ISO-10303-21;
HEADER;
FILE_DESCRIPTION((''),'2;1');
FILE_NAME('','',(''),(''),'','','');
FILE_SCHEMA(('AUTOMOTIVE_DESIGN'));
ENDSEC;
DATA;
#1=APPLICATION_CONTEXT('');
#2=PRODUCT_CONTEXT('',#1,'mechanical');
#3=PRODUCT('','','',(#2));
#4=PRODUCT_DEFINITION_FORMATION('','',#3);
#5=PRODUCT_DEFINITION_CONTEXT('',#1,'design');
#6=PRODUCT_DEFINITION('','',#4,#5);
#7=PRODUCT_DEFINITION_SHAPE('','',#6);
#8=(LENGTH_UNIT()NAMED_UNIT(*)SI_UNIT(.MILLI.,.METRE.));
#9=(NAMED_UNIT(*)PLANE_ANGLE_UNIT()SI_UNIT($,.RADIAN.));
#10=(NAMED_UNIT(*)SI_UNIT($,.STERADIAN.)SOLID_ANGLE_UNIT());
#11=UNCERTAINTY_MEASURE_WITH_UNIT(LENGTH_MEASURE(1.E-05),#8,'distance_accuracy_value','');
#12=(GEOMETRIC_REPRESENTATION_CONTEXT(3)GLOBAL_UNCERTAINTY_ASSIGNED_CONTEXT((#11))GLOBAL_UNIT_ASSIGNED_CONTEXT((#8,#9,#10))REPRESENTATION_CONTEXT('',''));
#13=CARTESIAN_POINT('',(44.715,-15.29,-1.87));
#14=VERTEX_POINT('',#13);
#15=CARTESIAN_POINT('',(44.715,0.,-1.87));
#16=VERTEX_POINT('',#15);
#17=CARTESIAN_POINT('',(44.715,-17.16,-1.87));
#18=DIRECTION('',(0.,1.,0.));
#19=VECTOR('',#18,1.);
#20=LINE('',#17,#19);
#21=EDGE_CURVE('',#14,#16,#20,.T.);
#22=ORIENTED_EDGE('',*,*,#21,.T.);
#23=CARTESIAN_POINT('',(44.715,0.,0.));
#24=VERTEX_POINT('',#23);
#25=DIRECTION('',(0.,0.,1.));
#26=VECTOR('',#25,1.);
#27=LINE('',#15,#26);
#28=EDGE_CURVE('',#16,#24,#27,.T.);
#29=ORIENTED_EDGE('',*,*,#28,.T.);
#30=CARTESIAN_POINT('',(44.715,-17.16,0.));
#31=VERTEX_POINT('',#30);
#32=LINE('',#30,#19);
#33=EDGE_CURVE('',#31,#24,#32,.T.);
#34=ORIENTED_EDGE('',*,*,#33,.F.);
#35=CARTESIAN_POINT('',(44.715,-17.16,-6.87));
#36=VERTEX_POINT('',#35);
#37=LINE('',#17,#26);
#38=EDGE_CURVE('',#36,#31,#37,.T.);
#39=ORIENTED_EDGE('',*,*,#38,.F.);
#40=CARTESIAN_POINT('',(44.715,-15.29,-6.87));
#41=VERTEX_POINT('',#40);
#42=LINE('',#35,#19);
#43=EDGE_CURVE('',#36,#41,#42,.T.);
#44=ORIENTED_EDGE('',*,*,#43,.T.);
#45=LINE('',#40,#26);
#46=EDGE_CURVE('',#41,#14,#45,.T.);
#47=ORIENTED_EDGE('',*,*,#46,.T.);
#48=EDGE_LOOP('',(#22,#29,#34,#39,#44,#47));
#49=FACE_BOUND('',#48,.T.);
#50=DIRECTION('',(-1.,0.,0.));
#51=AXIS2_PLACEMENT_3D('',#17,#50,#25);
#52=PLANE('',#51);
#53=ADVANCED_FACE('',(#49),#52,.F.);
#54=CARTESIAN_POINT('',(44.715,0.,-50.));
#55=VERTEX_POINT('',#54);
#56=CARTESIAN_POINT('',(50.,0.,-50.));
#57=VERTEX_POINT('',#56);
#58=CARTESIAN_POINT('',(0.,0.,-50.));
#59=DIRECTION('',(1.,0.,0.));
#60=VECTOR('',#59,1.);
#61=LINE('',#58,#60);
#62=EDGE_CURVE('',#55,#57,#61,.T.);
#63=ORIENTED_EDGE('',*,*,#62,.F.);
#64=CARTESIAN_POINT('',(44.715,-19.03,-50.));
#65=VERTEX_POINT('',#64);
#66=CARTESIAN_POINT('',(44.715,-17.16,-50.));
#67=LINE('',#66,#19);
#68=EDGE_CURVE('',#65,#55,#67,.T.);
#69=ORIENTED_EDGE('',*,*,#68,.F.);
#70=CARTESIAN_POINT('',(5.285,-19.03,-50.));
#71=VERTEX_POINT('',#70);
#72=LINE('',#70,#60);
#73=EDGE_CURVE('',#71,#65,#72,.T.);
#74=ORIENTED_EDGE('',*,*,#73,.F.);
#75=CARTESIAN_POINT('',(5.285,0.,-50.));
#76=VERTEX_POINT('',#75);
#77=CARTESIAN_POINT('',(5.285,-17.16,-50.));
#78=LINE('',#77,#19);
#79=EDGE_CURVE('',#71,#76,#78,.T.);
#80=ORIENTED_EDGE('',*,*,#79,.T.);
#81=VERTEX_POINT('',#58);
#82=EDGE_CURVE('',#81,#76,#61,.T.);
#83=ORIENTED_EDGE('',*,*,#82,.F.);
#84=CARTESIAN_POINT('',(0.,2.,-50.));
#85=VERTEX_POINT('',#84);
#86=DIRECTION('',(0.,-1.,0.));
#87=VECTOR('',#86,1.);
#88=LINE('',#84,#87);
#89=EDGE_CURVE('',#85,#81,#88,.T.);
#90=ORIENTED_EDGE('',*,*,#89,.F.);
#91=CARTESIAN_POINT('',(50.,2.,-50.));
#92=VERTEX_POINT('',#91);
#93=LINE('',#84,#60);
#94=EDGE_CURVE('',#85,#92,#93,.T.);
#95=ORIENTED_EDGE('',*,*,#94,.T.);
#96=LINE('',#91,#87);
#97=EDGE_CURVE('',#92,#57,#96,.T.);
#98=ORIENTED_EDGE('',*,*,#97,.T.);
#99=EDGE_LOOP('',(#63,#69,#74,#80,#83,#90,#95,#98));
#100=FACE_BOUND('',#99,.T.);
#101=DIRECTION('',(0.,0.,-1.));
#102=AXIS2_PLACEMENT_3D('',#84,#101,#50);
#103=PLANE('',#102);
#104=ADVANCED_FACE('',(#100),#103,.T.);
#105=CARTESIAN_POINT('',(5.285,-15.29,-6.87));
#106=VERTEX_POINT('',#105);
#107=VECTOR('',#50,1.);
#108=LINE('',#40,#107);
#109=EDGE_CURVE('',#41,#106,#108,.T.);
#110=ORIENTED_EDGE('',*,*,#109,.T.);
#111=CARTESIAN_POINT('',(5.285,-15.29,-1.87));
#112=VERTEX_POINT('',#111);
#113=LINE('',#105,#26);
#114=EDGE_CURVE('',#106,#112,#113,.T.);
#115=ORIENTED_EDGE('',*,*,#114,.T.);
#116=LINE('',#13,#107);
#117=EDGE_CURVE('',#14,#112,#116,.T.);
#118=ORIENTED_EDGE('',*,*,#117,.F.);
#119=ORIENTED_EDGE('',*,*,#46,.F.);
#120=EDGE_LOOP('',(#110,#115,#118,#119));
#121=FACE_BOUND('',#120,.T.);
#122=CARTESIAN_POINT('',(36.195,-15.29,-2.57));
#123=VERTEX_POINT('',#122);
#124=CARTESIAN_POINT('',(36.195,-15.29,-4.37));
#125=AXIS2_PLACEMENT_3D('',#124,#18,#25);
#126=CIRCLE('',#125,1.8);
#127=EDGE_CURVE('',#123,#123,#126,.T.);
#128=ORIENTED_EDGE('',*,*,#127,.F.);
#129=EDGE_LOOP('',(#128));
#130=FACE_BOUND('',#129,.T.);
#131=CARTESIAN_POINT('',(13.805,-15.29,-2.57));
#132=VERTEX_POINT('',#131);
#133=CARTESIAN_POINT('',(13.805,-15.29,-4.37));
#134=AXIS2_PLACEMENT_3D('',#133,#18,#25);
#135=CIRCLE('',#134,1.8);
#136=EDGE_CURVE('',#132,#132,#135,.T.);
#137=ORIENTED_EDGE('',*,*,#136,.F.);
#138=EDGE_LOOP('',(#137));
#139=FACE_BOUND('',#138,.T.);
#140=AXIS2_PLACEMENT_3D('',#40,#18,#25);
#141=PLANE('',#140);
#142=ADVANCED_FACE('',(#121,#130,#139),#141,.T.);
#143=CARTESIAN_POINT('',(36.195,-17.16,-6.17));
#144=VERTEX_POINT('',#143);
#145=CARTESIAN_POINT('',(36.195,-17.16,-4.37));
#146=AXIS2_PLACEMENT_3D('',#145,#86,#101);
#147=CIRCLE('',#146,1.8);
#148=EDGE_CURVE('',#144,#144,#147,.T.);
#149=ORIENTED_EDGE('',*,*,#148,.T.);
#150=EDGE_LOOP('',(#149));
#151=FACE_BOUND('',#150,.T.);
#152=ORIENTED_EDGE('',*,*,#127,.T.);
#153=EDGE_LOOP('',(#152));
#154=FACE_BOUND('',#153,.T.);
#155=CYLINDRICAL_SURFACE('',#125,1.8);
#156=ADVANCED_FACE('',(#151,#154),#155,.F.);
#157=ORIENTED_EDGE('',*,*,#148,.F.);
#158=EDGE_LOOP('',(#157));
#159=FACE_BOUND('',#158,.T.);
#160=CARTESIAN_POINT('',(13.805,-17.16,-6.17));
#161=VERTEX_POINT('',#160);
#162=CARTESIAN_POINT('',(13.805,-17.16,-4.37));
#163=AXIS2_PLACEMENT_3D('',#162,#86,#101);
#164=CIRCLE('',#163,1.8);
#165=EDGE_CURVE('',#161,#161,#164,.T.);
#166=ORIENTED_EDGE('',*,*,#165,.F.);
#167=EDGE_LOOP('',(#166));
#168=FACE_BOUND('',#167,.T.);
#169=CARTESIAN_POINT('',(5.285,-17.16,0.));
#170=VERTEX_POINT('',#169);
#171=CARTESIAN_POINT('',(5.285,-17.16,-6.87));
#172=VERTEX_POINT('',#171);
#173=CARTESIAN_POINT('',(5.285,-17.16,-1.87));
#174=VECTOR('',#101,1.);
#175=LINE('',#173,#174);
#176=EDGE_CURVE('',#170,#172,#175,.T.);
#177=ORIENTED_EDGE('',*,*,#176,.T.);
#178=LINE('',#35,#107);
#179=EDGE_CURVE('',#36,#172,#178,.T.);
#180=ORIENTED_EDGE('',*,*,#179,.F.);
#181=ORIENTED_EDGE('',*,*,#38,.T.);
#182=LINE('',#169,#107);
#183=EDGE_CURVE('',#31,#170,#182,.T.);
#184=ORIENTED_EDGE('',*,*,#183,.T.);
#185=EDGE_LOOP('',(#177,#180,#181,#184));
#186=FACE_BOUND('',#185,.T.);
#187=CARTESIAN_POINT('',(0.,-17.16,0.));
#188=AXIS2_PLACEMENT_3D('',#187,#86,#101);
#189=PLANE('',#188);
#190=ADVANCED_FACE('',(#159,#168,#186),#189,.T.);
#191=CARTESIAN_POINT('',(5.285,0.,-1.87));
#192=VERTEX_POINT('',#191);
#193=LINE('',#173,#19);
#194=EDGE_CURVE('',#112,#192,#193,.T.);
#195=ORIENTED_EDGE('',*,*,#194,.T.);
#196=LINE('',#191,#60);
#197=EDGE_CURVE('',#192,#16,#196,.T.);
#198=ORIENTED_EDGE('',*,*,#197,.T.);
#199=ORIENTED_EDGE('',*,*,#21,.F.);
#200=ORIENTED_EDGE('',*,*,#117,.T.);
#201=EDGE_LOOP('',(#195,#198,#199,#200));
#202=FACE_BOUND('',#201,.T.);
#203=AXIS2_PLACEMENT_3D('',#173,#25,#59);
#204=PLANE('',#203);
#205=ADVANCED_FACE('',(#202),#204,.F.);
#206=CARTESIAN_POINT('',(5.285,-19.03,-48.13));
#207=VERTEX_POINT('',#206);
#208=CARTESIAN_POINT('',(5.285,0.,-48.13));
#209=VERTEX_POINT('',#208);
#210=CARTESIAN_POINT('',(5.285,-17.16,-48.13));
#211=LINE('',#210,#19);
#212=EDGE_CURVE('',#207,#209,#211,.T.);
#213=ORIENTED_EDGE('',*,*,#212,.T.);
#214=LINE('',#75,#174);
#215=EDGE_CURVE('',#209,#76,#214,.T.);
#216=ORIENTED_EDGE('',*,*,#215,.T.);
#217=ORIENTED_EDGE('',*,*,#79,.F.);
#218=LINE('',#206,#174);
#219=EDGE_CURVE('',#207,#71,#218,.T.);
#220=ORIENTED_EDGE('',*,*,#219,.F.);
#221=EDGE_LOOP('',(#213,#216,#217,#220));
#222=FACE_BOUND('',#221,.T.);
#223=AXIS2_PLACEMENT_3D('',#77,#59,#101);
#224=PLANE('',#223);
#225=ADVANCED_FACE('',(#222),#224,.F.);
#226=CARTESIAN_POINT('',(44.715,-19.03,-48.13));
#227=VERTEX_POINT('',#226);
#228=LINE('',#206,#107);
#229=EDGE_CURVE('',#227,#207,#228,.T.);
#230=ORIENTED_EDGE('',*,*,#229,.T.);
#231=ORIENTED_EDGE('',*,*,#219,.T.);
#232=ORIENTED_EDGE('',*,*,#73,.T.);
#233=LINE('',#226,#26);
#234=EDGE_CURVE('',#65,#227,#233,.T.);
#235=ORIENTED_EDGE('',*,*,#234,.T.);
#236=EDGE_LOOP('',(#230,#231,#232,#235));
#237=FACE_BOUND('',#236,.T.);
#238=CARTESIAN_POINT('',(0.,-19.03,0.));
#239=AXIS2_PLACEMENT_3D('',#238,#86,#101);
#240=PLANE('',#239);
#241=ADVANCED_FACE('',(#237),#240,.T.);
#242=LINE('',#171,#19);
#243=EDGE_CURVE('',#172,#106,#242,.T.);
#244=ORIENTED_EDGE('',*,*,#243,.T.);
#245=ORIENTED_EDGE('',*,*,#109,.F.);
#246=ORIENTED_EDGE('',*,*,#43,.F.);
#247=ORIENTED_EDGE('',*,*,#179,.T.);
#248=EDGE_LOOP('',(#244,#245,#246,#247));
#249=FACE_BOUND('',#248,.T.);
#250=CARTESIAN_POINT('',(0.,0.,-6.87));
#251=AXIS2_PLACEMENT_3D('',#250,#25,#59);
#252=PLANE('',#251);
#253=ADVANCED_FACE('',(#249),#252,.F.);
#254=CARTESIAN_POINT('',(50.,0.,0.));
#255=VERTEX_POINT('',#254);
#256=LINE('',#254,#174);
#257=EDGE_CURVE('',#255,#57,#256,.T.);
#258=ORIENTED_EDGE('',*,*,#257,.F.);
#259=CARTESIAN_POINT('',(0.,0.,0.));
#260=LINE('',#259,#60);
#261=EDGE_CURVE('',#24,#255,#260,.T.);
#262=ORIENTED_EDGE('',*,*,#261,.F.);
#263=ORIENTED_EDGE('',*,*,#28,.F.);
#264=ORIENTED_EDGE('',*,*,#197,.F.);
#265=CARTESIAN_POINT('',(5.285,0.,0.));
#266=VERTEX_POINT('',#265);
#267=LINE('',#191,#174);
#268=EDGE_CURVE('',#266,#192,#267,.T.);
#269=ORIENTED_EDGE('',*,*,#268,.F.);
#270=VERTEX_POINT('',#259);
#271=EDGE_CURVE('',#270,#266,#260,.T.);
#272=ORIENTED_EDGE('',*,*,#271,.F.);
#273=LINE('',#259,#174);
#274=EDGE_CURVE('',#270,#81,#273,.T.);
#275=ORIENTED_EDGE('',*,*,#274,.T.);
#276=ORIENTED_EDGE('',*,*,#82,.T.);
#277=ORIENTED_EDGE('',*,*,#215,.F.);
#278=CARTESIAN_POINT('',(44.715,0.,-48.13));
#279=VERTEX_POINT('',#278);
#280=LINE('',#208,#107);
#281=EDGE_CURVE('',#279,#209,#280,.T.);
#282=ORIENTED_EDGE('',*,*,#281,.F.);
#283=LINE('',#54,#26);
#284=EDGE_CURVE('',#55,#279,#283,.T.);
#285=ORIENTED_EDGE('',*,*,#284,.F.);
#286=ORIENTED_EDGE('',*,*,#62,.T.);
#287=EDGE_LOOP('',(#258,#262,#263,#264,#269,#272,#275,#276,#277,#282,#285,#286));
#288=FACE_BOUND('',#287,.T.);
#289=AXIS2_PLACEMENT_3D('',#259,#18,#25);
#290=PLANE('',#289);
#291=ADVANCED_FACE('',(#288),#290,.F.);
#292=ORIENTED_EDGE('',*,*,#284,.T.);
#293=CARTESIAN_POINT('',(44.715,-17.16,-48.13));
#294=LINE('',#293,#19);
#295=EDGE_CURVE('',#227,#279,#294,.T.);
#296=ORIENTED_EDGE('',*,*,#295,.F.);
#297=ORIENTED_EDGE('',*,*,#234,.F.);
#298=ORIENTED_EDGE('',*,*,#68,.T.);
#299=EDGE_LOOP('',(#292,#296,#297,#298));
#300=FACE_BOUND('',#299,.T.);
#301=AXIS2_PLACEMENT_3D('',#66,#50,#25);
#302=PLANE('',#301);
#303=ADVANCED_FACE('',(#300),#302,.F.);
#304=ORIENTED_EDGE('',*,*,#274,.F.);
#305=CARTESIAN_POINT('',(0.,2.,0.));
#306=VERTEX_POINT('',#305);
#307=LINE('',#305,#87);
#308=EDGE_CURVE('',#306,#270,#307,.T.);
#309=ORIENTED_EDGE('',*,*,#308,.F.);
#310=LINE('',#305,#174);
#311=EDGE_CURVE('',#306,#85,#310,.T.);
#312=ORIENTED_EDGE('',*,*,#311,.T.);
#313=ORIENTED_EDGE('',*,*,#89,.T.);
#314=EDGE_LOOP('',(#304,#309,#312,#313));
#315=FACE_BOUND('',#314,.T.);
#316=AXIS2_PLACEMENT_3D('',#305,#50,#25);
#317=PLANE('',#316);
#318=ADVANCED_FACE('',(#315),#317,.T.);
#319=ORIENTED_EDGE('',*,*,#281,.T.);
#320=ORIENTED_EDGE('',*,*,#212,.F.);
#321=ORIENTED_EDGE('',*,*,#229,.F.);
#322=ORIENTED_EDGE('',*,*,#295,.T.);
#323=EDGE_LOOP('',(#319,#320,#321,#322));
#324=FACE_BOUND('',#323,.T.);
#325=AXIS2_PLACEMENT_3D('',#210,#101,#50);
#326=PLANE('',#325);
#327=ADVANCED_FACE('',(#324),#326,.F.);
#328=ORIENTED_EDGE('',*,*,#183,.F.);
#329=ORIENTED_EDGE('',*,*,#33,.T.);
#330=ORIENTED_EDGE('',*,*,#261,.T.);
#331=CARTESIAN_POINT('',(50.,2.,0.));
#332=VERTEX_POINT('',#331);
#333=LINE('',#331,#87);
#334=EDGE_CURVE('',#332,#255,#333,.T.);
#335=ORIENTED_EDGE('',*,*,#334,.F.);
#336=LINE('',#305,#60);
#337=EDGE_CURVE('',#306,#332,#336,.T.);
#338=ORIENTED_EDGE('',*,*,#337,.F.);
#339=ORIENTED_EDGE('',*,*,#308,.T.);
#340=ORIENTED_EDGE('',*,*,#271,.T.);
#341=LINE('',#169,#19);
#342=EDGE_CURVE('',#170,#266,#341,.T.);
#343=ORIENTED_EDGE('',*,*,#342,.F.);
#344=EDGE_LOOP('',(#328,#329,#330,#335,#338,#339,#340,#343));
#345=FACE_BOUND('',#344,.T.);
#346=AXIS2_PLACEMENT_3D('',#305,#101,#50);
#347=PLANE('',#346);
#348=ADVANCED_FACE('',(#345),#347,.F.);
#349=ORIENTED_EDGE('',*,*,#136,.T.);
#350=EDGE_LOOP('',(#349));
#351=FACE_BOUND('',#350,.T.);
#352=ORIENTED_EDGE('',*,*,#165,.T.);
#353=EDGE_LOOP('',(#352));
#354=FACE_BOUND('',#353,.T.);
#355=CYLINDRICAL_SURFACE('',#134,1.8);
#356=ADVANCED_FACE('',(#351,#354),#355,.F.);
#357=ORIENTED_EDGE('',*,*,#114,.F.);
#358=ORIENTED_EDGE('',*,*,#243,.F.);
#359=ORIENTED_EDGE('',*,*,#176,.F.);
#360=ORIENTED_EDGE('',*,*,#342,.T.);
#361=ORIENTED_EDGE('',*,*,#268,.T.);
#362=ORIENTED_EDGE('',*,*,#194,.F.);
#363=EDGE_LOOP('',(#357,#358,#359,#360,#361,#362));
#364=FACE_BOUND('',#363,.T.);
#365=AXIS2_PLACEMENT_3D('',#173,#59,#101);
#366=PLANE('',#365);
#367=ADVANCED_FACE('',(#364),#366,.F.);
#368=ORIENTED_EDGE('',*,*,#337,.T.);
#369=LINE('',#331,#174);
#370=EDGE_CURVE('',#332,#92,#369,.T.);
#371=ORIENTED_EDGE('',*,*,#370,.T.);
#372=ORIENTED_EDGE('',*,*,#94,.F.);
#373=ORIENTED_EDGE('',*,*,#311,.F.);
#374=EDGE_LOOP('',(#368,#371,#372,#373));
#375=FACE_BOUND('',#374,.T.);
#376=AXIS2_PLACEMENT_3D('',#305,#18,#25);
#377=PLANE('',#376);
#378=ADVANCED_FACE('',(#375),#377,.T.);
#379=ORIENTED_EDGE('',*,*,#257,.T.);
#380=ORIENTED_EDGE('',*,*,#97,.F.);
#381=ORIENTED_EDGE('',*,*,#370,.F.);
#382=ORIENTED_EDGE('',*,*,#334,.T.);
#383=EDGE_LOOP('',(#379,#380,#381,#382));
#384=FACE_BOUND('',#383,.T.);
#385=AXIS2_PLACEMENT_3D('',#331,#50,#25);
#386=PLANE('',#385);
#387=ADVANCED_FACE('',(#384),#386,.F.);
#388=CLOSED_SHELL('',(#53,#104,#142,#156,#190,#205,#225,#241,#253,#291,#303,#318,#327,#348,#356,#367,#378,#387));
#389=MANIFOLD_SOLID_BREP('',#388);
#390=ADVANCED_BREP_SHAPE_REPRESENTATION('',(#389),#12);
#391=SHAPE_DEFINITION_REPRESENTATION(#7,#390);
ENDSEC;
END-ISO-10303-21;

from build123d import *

# Parameters (mm, degrees)
ESQUISSE1_W          = 50
ESQUISSE1_H          = 50
BOSS_EXTRU_1_DEPTH   = 2
ESQUISSE3_W          = 39.43
ESQUISSE3_H          = 1.87
BOSS_EXTRU_2_DEPTH   = 17.16
ESQUISSE4_W          = 39.43
ESQUISSE4_H          = 1.87
BOSS_EXTRU_3_DEPTH   = 5
D_GAGEMENT_M31_D     = 3.6
D_GAGEMENT_M31_DEPTH = 1.99
D_GAGEMENT_M31_TIP   = 1.081549114
ESQUISSE7_W          = 39.43
ESQUISSE7_H          = 1.87
BOSS_EXTRU_4_DEPTH   = 1.87


with BuildPart() as part:
    # Esquisse1 → Boss.-Extru.1 (new body)
    with BuildSketch(Plane(origin=(0, 0, 0), x_dir=(1, 0, 0), z_dir=(0, 1, 0))):
        with Locations((25, 25)):
            Rectangle(ESQUISSE1_W, ESQUISSE1_H)
    extrude(amount=BOSS_EXTRU_1_DEPTH)

    # Esquisse3 → Boss.-Extru.2 (add)
    with BuildSketch(Plane.XZ):
        with Locations((25, -49.065)):
            Rectangle(ESQUISSE3_W, ESQUISSE3_H)
        with Locations((25, -0.935)):
            Rectangle(ESQUISSE3_W, ESQUISSE3_H)
    extrude(amount=BOSS_EXTRU_2_DEPTH)

    # Esquisse4 → Boss.-Extru.3 (add)
    with BuildSketch(Plane(origin=(0, 0, -1.87), x_dir=(-1, 0, 0), z_dir=(0, 0, -1))):
        with Locations((-25, -16.225)):
            Rectangle(ESQUISSE4_W, ESQUISSE4_H)
    extrude(amount=BOSS_EXTRU_3_DEPTH)

    # Dégagement M31
    with Locations(Plane(origin=(36.195, -15.29, -4.37), x_dir=(0, 0, 1), z_dir=(0, 1, 0))):
        with Locations((0, 0), (0, -22.39)):
            Hole(D_GAGEMENT_M31_D / 2, depth=D_GAGEMENT_M31_DEPTH)
            with Locations((0, 0, -(D_GAGEMENT_M31_DEPTH + D_GAGEMENT_M31_TIP / 2))):  # 118° drill point
                Cone(0, D_GAGEMENT_M31_D / 2, D_GAGEMENT_M31_TIP, mode=Mode.SUBTRACT)

    # Esquisse7 → Boss.-Extru.4 (add)
    with BuildSketch(Plane.XZ.offset(17.16)):
        with Locations((25, -49.065)):
            Rectangle(ESQUISSE7_W, ESQUISSE7_H)
    extrude(amount=BOSS_EXTRU_4_DEPTH)


solid = part.part
